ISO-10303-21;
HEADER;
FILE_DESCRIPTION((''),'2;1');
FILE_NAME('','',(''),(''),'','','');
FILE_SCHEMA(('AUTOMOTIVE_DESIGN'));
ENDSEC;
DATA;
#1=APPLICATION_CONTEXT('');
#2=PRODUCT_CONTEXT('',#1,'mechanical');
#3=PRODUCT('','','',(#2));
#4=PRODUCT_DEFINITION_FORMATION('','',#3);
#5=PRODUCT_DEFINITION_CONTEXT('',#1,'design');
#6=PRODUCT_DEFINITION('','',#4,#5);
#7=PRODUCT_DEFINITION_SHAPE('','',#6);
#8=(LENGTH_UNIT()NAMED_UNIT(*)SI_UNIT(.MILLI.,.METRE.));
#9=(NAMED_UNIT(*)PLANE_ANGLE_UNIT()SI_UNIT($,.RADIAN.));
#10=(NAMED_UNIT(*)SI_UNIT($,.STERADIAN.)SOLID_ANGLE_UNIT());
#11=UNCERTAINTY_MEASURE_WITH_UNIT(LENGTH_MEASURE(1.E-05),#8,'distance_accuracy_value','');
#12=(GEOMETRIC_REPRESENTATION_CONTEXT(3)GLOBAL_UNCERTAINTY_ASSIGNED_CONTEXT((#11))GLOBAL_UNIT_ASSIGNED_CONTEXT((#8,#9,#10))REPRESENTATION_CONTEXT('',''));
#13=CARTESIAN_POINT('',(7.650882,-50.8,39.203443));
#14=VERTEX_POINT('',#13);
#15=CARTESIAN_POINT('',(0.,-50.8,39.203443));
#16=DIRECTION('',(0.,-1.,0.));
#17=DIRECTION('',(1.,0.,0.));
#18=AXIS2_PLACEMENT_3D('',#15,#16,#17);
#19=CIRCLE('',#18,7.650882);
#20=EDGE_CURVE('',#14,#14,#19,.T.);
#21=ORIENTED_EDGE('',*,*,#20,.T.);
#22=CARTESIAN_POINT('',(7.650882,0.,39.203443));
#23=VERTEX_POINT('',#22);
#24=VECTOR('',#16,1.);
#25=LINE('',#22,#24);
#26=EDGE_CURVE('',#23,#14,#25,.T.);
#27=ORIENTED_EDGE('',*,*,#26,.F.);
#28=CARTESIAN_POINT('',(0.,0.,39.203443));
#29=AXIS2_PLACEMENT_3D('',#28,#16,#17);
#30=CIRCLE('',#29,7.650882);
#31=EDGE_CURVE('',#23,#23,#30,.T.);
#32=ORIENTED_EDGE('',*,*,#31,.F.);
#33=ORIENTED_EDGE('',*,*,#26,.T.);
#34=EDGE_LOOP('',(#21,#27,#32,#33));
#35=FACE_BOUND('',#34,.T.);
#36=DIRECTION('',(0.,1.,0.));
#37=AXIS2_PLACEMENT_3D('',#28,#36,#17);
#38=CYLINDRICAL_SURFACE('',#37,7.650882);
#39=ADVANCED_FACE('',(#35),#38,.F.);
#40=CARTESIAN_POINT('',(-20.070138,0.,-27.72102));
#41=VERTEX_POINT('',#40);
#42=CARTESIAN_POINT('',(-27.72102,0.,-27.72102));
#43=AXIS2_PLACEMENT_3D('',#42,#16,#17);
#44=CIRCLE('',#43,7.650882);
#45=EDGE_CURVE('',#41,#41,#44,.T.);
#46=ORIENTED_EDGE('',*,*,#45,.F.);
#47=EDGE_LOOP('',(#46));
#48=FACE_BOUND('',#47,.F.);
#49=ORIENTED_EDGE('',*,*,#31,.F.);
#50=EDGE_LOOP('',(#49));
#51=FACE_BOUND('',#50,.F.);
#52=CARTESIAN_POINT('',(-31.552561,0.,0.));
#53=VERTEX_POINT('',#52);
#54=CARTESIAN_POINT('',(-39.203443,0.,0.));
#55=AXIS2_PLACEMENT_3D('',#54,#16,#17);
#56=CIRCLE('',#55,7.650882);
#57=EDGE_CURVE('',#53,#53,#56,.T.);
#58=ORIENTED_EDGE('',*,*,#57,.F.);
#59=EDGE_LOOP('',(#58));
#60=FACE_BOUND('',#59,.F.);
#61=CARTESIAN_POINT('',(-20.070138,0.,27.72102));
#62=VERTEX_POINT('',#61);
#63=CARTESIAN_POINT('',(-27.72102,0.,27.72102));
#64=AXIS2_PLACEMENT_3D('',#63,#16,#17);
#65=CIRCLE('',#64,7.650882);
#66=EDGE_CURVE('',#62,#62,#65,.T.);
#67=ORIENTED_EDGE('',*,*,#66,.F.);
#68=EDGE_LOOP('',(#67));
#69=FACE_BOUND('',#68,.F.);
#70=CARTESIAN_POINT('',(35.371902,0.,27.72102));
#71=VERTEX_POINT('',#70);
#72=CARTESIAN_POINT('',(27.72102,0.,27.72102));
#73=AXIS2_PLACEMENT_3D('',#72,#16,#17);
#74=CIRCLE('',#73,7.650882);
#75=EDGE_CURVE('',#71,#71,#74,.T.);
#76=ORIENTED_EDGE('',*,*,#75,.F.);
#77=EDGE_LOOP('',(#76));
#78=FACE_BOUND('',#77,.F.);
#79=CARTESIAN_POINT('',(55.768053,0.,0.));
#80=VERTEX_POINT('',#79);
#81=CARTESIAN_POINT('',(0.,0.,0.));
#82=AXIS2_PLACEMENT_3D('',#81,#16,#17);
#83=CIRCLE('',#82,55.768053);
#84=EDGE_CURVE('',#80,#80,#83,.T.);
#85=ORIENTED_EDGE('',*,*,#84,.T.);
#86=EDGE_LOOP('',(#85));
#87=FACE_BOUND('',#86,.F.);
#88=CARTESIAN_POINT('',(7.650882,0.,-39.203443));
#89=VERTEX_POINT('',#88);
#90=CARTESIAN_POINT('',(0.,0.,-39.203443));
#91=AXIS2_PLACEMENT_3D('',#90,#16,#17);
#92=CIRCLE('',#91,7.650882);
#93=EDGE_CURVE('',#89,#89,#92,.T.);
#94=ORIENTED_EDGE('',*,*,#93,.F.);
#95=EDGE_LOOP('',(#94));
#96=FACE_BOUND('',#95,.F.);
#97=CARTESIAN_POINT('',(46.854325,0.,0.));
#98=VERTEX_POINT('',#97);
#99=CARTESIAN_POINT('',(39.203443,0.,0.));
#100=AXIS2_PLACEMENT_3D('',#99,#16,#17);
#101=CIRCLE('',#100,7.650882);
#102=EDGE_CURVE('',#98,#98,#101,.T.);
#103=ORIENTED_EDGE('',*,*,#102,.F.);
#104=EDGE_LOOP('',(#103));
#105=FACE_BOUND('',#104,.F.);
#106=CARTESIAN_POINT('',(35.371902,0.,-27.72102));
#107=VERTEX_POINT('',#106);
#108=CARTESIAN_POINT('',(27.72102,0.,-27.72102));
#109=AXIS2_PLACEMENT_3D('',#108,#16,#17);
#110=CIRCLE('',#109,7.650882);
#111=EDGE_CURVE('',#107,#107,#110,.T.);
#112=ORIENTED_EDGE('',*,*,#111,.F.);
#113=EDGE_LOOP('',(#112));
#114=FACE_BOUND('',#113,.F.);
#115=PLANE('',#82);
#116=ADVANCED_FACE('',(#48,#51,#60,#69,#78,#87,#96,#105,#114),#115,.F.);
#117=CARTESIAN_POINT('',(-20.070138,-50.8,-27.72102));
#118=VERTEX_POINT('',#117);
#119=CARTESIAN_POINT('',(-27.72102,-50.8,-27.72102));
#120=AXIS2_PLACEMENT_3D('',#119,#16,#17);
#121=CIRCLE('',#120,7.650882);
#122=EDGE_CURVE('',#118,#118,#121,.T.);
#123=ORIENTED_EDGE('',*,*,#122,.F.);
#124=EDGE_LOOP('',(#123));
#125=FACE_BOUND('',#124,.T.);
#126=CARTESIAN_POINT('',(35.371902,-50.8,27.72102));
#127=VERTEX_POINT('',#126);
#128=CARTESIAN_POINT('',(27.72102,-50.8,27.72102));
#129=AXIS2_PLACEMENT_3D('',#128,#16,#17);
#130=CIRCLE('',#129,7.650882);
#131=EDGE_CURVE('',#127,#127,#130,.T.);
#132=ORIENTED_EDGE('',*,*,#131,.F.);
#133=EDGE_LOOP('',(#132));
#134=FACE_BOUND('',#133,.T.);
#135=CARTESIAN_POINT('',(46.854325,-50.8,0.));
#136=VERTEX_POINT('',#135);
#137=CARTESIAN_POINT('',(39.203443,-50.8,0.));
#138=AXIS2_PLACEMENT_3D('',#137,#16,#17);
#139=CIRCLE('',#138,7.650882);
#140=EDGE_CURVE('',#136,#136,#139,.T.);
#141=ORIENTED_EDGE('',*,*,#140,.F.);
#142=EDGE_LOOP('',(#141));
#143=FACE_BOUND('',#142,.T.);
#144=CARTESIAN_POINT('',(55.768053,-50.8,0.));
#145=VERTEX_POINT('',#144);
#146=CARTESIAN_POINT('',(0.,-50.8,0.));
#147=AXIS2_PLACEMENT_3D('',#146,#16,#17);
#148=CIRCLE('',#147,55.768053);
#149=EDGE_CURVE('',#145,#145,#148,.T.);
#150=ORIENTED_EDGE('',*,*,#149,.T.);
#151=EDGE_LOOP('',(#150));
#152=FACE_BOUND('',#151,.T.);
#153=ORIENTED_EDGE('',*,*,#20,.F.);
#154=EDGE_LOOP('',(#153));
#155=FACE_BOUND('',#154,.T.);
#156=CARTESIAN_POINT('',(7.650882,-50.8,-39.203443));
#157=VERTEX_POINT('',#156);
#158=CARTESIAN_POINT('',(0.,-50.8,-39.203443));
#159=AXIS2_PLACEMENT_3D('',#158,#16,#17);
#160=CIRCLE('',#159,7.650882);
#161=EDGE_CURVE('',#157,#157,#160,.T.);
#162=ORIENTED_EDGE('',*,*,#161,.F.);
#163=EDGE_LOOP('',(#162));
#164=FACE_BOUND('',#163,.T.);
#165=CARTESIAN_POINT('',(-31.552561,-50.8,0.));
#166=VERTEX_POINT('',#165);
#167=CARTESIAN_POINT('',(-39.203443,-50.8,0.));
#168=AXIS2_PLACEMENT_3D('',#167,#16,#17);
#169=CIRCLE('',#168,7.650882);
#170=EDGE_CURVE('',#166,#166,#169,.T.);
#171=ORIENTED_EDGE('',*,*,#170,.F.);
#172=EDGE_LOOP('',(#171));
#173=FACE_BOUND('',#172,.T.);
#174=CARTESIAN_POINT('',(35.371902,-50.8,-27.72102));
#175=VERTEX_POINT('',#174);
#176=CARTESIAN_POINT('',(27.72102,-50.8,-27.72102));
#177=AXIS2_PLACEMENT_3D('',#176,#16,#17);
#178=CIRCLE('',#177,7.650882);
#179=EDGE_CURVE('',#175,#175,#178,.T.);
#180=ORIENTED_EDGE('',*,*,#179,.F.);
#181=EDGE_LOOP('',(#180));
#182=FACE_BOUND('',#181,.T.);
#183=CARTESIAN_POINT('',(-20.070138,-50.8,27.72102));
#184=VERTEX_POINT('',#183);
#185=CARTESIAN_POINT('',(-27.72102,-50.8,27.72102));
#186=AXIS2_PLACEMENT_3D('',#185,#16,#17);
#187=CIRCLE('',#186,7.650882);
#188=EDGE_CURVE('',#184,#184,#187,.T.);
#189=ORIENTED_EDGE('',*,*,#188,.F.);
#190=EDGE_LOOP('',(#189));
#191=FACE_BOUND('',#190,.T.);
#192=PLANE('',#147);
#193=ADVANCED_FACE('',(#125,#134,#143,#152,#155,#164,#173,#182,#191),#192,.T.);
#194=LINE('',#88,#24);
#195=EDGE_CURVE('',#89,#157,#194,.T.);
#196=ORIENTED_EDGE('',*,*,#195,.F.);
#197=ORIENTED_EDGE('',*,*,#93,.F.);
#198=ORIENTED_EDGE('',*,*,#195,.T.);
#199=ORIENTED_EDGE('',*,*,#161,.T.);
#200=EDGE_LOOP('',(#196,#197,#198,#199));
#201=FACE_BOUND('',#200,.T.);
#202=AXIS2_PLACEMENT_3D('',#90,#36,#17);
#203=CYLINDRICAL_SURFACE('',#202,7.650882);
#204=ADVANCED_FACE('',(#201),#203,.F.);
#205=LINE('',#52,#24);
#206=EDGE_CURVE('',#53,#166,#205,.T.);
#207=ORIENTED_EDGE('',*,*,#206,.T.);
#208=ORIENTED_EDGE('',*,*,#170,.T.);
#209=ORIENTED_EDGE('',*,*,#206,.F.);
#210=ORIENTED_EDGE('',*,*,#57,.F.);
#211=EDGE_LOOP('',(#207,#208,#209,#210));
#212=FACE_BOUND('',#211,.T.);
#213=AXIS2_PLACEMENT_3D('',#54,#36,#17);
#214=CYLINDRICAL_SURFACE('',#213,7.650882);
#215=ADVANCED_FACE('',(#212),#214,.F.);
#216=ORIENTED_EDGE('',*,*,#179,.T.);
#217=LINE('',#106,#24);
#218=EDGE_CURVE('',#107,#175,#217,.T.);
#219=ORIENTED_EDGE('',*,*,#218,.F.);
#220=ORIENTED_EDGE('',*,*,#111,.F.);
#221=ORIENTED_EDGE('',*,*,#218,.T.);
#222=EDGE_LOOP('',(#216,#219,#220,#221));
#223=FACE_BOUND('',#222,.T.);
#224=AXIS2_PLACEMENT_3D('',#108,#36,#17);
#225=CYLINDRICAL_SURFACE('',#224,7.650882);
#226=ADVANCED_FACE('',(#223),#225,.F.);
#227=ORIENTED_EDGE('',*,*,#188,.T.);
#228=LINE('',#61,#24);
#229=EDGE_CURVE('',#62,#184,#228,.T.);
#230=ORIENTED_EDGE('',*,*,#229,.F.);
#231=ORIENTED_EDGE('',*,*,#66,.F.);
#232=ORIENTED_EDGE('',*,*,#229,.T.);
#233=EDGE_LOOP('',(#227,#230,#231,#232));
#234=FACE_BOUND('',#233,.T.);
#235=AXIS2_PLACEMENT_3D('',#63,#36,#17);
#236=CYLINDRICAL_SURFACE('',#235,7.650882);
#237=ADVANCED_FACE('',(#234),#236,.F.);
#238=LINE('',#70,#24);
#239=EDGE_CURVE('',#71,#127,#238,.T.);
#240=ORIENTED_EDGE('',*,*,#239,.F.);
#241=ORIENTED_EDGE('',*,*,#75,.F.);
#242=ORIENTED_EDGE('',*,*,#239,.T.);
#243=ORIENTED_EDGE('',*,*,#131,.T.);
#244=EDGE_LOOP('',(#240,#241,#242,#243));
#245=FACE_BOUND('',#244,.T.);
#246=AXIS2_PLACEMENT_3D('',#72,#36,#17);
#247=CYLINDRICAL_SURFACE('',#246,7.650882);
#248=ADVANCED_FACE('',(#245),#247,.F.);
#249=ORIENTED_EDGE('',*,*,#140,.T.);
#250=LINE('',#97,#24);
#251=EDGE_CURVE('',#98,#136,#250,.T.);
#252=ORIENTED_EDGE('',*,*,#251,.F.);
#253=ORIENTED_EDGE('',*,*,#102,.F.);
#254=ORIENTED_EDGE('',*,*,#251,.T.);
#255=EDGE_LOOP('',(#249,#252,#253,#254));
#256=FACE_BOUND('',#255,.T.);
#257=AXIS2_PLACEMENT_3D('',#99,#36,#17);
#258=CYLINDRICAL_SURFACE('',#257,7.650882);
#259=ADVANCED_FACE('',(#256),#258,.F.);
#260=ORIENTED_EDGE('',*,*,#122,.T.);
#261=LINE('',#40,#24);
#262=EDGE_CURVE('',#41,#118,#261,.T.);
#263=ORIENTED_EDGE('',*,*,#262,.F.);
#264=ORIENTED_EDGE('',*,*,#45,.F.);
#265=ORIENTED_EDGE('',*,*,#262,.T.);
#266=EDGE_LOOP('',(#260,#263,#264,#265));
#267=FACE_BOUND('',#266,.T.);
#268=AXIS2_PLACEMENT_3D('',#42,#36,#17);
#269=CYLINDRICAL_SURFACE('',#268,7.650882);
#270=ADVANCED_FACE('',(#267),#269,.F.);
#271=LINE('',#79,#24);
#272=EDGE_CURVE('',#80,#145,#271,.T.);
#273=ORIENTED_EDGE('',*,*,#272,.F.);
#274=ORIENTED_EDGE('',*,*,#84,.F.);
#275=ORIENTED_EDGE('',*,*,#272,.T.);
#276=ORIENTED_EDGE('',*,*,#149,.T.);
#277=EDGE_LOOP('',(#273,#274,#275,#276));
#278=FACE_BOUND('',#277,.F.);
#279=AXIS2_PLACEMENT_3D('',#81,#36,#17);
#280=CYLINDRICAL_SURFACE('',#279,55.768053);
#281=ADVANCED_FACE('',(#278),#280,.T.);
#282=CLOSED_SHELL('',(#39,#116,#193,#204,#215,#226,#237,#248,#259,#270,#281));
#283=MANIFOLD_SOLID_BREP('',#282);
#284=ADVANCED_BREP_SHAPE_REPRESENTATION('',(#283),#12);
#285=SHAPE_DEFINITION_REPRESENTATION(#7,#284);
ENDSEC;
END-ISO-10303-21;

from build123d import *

# Parameters (mm, degrees)
F1_R     = 55.768053
F1_R_2   = 7.650882
F2_DEPTH = 50.8


with BuildPart() as f2:
    # F1 (on face) → F2 (new body)
    with BuildSketch(Plane.XZ):
        Circle(F1_R)
        with Locations((-27.72102, -27.72102)):
            Circle(F1_R_2, mode=Mode.SUBTRACT)
        with Locations((0, -39.203443)):
            Circle(F1_R_2, mode=Mode.SUBTRACT)
        with Locations((27.72102, -27.72102)):
            Circle(F1_R_2, mode=Mode.SUBTRACT)
        with Locations((-39.203443, 0)):
            Circle(F1_R_2, mode=Mode.SUBTRACT)
        with Locations((-27.72102, 27.72102)):
            Circle(F1_R_2, mode=Mode.SUBTRACT)
        with Locations((27.72102, 27.72102)):
            Circle(F1_R_2, mode=Mode.SUBTRACT)
        with Locations((39.203443, 0)):
            Circle(F1_R_2, mode=Mode.SUBTRACT)
        with Locations((0, 39.203443)):
            Circle(F1_R_2, mode=Mode.SUBTRACT)
    extrude(amount=F2_DEPTH)


solid = f2.part
